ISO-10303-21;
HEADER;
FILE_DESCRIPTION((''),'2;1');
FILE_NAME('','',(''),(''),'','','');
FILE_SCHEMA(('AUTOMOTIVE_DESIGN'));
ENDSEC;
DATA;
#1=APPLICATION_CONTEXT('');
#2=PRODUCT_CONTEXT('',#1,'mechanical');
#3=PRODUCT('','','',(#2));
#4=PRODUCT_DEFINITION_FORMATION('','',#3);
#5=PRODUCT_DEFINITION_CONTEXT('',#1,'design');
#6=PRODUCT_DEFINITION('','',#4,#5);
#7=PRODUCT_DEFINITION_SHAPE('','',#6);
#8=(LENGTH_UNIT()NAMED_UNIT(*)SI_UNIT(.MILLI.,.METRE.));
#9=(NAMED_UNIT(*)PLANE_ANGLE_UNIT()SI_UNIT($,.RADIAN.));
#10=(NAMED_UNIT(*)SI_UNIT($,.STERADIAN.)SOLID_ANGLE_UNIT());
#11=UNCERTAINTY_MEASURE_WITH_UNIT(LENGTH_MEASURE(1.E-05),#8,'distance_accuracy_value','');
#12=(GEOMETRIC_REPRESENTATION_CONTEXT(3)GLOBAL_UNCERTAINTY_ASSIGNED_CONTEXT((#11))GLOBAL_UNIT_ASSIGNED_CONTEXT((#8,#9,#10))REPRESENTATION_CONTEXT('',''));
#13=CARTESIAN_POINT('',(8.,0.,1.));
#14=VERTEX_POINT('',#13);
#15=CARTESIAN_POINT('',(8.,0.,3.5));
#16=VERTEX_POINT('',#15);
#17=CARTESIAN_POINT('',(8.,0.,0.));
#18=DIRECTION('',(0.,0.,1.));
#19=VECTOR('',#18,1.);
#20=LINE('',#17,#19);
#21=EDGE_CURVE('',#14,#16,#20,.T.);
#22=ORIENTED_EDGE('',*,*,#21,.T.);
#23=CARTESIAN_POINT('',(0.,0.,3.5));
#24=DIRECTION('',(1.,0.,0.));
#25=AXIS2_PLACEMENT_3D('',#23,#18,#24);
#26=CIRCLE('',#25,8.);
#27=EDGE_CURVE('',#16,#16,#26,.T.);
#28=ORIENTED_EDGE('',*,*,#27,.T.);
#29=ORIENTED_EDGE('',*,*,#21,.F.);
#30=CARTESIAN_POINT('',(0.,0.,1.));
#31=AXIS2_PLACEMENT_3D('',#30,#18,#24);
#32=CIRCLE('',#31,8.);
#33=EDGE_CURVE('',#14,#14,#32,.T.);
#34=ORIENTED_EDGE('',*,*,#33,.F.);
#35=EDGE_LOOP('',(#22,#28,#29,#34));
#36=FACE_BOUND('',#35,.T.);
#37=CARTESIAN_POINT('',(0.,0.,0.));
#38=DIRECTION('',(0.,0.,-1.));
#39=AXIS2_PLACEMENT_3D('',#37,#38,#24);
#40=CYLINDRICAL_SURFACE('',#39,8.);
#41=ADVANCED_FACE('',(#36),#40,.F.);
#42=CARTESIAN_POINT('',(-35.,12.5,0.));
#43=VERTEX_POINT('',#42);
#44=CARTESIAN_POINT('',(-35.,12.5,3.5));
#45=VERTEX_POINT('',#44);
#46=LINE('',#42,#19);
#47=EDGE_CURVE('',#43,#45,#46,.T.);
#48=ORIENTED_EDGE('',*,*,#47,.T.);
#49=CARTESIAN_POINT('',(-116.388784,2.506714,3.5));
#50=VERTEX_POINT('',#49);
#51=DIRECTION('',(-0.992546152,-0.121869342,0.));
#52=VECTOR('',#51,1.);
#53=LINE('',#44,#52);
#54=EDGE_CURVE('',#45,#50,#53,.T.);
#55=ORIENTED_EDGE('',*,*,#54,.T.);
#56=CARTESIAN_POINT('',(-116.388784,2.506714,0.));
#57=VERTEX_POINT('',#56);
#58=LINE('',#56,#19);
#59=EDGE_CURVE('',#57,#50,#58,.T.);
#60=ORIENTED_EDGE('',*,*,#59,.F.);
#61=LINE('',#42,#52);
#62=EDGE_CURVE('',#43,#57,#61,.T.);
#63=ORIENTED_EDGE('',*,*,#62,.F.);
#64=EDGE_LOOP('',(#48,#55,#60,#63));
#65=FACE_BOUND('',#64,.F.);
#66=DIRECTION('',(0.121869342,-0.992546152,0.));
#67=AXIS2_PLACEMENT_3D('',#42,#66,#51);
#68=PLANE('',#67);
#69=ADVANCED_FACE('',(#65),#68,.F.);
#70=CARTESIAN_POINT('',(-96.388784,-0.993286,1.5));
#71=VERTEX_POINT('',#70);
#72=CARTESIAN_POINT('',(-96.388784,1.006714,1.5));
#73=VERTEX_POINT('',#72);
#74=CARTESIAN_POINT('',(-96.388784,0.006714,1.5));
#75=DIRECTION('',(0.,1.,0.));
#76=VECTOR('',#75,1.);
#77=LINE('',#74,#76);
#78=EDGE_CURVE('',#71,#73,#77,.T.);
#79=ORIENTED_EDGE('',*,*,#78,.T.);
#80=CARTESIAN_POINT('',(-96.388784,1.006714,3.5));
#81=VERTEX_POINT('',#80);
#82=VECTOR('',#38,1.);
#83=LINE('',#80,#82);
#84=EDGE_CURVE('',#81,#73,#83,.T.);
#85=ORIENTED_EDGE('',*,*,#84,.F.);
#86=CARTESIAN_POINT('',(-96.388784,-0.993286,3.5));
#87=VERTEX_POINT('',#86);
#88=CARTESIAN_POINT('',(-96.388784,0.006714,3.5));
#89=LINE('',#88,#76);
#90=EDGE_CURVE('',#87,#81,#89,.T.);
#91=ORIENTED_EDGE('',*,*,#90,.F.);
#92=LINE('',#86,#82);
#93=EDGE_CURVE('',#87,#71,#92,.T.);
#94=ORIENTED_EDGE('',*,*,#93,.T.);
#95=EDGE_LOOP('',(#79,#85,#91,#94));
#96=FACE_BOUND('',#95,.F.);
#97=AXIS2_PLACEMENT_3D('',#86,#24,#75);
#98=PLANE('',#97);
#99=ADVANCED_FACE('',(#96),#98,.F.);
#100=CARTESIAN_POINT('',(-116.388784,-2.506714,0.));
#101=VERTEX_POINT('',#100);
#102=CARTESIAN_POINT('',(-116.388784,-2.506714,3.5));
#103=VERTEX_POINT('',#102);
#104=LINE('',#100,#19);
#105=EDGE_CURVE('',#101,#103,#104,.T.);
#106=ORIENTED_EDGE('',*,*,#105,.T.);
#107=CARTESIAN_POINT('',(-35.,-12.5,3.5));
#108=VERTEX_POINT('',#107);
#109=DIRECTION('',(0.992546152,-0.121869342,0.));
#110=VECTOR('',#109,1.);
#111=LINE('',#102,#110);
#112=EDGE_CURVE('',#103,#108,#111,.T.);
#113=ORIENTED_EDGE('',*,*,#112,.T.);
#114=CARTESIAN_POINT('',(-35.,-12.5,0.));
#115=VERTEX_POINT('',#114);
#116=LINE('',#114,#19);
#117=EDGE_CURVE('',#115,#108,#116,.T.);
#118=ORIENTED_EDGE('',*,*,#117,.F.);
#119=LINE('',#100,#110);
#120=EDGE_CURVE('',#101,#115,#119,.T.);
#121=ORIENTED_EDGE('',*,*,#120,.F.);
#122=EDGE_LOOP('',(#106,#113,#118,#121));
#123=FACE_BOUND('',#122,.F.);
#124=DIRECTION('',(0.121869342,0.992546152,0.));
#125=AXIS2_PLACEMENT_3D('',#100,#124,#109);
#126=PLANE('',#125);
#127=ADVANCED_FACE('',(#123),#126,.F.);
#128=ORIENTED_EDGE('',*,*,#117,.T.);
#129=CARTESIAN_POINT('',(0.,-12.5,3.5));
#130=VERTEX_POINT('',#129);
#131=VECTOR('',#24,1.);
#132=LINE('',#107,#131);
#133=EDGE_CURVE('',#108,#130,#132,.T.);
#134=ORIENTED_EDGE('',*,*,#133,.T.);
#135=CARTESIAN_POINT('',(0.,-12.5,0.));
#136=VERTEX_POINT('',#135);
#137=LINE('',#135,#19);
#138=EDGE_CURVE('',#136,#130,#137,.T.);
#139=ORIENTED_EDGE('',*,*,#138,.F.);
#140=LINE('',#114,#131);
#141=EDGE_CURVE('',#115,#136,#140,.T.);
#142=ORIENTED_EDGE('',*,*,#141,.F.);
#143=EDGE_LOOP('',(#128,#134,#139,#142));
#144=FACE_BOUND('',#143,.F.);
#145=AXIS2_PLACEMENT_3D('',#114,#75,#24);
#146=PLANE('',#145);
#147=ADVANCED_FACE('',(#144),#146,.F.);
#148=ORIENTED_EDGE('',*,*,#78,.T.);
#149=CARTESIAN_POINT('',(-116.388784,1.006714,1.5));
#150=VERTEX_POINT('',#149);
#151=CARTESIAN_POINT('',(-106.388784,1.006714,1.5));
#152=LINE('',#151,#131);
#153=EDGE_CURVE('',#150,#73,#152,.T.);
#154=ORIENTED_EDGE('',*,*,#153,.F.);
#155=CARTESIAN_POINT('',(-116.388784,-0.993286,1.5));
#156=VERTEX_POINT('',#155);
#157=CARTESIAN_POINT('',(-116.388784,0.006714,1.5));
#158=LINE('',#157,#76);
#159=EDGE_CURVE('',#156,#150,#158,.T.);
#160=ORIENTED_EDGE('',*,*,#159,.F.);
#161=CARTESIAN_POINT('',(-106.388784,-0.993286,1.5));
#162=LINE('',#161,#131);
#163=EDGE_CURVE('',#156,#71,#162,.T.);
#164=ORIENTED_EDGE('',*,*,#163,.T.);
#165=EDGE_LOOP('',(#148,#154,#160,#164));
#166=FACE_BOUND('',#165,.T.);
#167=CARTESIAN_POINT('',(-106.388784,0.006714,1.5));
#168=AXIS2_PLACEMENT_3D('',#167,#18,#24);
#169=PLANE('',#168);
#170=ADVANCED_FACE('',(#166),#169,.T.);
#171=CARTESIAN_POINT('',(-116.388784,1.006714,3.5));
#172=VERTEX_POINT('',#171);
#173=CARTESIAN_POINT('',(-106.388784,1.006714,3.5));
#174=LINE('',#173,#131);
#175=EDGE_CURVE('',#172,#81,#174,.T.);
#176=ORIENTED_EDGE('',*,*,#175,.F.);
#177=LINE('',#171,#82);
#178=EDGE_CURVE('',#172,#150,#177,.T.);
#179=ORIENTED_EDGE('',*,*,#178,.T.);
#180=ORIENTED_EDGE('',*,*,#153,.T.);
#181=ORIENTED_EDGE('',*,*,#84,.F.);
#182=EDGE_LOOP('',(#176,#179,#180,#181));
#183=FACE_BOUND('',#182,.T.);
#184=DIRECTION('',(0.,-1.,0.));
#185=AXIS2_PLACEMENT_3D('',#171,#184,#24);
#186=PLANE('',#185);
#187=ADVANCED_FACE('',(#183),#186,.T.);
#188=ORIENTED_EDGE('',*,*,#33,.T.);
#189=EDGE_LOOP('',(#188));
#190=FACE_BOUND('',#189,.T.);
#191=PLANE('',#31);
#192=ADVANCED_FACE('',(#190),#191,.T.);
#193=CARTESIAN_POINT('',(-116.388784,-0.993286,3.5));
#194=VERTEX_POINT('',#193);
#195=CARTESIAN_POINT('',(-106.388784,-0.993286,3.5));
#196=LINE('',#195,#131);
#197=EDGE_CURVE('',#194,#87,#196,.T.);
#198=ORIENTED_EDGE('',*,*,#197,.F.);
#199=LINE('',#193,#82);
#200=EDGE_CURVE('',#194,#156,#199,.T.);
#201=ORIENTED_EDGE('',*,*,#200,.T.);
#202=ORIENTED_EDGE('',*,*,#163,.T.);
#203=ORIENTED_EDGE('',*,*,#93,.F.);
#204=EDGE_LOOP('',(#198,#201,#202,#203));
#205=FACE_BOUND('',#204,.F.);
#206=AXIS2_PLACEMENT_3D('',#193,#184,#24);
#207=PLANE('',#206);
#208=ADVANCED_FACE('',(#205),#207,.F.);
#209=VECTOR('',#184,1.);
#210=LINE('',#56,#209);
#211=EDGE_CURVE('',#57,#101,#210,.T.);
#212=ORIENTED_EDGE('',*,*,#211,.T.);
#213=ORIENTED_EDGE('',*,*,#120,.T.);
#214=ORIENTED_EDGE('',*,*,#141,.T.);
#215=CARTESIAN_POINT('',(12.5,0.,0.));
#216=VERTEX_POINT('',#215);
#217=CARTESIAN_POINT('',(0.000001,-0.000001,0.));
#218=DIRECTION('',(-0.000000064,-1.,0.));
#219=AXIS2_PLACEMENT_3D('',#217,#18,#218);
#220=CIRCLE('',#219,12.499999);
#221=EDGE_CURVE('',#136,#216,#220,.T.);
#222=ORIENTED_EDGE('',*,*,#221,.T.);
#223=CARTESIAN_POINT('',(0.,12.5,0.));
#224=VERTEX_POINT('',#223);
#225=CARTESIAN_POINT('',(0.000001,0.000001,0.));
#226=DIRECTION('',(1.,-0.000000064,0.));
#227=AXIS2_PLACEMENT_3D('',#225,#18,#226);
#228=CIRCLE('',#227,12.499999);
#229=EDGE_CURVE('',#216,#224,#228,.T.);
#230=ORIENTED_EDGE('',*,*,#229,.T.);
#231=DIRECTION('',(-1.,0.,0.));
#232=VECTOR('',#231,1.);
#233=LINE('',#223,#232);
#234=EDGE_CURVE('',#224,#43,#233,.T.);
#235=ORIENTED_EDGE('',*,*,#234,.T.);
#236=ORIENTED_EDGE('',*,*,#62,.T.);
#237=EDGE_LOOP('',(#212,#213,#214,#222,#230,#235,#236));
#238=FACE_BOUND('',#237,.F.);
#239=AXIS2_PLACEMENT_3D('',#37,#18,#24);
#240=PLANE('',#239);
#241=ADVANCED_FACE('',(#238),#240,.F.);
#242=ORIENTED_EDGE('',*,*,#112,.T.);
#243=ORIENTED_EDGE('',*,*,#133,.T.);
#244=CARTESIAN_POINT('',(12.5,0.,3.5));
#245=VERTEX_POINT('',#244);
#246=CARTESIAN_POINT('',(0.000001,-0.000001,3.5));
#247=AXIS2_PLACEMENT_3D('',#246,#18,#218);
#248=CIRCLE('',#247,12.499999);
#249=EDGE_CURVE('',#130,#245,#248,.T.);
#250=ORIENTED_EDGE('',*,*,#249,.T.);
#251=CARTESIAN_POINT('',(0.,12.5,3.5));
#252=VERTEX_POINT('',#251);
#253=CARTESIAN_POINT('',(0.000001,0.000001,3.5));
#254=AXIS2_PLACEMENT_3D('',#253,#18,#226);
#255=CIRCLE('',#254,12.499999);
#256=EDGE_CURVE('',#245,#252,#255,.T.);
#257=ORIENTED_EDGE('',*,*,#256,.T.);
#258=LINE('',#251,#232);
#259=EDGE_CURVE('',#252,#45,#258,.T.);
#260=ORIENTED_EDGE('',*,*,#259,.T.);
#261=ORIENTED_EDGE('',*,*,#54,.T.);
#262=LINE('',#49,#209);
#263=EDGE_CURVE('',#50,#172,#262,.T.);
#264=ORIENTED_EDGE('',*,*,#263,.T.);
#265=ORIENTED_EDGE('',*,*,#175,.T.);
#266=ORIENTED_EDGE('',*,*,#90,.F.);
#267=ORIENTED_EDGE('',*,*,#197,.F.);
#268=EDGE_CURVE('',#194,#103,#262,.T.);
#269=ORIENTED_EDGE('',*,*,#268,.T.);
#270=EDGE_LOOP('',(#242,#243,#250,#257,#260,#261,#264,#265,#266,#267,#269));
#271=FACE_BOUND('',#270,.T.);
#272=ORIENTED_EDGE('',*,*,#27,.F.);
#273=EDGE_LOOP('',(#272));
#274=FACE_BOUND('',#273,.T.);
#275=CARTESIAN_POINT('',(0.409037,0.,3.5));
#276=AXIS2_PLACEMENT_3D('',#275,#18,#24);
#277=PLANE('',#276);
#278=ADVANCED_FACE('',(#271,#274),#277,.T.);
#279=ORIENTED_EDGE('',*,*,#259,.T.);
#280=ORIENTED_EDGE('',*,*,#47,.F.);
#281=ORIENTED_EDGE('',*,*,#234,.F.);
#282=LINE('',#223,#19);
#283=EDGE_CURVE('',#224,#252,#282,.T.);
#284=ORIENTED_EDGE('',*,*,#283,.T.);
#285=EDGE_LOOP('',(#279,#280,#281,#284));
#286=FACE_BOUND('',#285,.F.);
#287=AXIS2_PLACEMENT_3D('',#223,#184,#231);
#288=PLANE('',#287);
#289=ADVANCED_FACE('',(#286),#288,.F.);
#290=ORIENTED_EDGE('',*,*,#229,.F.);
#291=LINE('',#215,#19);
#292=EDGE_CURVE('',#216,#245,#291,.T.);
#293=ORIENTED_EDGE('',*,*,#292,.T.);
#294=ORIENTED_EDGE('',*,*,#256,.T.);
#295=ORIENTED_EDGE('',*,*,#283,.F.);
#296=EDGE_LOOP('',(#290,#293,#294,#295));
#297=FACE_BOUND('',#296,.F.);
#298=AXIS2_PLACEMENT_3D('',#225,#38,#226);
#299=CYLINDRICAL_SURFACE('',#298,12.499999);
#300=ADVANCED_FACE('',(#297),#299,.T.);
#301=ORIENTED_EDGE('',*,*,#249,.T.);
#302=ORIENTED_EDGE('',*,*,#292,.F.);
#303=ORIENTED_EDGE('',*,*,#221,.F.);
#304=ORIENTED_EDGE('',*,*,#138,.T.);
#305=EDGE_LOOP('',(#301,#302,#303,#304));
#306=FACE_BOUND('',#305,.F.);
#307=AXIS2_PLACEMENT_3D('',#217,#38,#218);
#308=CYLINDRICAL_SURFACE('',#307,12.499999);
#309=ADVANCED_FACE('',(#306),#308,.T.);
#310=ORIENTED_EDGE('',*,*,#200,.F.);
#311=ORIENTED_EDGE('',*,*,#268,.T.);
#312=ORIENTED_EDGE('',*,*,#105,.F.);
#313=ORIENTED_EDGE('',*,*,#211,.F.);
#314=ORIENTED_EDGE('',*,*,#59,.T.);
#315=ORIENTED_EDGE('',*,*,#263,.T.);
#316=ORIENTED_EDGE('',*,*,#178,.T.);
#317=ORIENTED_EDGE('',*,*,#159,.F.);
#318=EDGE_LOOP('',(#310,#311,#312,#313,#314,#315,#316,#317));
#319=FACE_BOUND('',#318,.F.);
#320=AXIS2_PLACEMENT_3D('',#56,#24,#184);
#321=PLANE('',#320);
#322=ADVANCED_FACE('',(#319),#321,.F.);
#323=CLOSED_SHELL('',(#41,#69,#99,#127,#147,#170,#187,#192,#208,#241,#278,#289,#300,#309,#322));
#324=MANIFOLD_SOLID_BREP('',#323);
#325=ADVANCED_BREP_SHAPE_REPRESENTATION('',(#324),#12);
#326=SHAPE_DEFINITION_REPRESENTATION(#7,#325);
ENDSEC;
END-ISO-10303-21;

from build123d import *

# Parameters (mm, degrees)
F0_R     = 8
F1_DEPTH = 3.5
F2_DEPTH = 1
F3_W     = 20
F3_H     = 2
F4_DEPTH = 2


with BuildPart() as f1:
    # F0 (on Top) → F1 (new body)
    with BuildSketch(Plane.XY):
        with BuildLine():
            ThreePointArc((0, -12.5), (8.838835, -8.838835), (12.5, 0))
            ThreePointArc((12.5, 0), (8.838835, 8.838835), (0, 12.5))
            ThreePointArc((0, 12.5), (-12.5, 0), (0, -12.5))
        make_face()
        Circle(F0_R, mode=Mode.SUBTRACT)
        with BuildLine():
            ThreePointArc((0, -12.5), (-12.5, 0), (0, 12.5))
            Line((0, 12.5), (-35, 12.5))
            Line((-35, 12.5), (-116.388784, 2.506714))
            Line((-116.388784, 2.506714), (-116.388784, -2.506714))
            Line((-116.388784, -2.506714), (-35, -12.5))
            Line((-35, -12.5), (0, -12.5))
        make_face()
    extrude(amount=F1_DEPTH)

    # F0 (on Top) → F2 (join)
    with BuildSketch(Plane.XY):
        Circle(F0_R)
    extrude(amount=F2_DEPTH)

    # F3 (on face) → F4 (cut)
    with BuildSketch(Plane.XY.offset(3.5)):
        with Locations((-106.388784, 0.006714)):
            Rectangle(F3_W, F3_H)
    extrude(amount=-F4_DEPTH, mode=Mode.SUBTRACT)


solid = f1.part
